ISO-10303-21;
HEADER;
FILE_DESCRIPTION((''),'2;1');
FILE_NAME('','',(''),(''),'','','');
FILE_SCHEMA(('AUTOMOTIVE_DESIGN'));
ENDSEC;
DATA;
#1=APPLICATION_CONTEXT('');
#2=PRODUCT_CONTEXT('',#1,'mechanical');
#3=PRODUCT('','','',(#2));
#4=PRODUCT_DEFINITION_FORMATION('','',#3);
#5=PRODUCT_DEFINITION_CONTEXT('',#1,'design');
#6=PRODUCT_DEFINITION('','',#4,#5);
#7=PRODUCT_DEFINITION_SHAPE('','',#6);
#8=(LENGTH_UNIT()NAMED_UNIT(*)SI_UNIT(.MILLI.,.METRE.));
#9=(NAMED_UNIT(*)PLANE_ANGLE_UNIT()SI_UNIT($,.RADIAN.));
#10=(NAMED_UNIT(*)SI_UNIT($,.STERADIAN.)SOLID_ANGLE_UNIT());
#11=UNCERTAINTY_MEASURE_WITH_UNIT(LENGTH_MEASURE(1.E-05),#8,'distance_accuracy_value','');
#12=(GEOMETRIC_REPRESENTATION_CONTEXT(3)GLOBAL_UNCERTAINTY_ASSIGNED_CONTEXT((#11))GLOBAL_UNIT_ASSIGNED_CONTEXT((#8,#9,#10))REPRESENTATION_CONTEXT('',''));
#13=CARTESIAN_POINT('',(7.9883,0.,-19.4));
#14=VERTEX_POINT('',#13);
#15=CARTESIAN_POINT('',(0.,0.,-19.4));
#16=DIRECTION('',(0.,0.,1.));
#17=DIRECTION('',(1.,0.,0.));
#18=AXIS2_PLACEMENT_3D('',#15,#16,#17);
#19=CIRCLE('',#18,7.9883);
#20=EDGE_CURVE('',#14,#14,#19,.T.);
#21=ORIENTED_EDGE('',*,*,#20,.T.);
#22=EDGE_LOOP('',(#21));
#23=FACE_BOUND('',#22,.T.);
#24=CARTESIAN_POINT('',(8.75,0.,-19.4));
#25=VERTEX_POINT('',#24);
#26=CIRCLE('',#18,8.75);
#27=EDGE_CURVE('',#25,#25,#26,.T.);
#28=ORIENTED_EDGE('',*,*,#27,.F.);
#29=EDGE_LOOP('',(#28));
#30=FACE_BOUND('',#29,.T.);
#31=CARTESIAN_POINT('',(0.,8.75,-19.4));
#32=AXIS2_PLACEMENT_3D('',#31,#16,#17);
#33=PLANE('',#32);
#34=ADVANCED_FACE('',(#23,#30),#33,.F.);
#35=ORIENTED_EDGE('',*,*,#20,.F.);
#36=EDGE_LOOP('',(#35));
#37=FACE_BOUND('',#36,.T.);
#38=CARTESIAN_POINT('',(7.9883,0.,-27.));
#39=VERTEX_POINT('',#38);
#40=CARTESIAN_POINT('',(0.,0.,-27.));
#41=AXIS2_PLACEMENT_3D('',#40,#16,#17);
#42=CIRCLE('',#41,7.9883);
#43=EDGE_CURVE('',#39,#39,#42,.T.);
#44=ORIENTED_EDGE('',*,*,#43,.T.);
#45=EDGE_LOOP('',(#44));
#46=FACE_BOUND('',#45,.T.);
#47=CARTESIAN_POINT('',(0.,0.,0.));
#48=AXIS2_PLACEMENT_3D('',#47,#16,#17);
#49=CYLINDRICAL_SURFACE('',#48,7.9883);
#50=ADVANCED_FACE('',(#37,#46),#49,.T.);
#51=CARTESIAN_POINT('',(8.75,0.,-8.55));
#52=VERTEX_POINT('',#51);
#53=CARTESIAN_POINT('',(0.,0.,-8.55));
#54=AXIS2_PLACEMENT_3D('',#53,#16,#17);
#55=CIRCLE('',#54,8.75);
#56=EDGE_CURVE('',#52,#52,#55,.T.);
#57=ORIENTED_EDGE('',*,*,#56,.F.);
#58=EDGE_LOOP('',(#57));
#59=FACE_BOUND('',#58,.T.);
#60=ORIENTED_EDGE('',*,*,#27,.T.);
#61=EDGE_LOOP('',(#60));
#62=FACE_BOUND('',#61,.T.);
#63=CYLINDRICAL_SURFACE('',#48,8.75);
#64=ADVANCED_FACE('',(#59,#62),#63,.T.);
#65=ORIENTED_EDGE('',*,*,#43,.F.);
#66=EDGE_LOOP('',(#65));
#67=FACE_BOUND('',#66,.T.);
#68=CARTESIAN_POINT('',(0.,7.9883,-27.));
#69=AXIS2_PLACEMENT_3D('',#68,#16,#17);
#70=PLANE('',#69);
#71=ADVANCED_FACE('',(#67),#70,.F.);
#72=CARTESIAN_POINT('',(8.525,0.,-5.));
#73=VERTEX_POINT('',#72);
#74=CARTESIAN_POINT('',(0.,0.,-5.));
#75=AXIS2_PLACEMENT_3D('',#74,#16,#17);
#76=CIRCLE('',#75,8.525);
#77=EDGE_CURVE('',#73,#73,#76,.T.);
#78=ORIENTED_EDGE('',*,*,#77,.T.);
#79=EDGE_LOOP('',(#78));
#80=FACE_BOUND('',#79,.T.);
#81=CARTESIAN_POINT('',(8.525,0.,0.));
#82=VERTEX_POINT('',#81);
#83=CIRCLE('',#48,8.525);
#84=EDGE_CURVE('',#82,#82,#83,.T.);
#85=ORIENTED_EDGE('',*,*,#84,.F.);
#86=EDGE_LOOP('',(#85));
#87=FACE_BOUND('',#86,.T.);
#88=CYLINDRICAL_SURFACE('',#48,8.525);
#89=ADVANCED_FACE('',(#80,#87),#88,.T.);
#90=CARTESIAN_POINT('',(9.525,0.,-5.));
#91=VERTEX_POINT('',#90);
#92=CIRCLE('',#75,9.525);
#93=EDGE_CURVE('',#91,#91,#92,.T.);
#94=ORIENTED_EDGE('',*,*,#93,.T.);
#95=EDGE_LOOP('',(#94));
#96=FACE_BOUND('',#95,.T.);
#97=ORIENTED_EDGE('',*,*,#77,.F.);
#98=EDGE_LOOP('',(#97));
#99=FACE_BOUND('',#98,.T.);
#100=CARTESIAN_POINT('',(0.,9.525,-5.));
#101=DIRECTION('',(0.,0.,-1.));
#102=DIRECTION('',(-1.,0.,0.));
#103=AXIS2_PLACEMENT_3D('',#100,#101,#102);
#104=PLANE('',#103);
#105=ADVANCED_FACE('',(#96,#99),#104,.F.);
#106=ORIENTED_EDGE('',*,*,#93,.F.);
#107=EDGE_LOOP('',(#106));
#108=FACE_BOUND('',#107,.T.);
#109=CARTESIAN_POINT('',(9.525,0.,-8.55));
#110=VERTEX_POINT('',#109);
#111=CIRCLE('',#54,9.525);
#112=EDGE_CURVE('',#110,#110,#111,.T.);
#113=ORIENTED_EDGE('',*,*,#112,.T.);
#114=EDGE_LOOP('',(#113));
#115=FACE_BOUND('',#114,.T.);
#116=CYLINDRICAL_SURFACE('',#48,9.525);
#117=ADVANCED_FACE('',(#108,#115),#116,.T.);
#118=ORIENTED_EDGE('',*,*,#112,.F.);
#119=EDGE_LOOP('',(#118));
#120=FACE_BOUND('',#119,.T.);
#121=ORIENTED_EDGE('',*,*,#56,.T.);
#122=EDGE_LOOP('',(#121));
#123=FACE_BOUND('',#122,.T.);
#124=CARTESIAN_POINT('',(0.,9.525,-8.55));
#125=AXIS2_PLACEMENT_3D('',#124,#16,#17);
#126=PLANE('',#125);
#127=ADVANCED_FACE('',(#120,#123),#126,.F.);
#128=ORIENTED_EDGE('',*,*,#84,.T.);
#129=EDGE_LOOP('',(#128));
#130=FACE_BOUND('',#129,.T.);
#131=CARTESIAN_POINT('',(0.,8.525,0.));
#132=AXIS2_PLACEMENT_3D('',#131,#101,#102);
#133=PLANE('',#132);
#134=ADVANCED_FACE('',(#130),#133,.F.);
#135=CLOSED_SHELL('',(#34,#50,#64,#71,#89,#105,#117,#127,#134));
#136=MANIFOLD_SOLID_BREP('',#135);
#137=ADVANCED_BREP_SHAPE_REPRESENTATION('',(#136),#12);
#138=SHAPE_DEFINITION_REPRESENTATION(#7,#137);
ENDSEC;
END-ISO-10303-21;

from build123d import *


with BuildPart() as part:
    # Croquis1 → Revolución1 (revolve)
    with BuildSketch(Plane(origin=(0, 0, 0), x_dir=(0, 0, -1), z_dir=(1, 0, 0)), mode=Mode.PRIVATE) as revoluci_n1_sk:
        Polygon((0, 0), (27, 0), (27, 7.9883), (19.4, 7.9883), (19.4, 8.75), (8.55, 8.75), (8.55, 9.525), (5, 9.525), (5, 8.525), (0, 8.525), align=None)
    revolve(revoluci_n1_sk.sketch.rotate(Axis((0, 0, 0), (0, 0, -1)), 90), axis=Axis((0, 0, 0), (0, 0, -1)))


solid = part.part
